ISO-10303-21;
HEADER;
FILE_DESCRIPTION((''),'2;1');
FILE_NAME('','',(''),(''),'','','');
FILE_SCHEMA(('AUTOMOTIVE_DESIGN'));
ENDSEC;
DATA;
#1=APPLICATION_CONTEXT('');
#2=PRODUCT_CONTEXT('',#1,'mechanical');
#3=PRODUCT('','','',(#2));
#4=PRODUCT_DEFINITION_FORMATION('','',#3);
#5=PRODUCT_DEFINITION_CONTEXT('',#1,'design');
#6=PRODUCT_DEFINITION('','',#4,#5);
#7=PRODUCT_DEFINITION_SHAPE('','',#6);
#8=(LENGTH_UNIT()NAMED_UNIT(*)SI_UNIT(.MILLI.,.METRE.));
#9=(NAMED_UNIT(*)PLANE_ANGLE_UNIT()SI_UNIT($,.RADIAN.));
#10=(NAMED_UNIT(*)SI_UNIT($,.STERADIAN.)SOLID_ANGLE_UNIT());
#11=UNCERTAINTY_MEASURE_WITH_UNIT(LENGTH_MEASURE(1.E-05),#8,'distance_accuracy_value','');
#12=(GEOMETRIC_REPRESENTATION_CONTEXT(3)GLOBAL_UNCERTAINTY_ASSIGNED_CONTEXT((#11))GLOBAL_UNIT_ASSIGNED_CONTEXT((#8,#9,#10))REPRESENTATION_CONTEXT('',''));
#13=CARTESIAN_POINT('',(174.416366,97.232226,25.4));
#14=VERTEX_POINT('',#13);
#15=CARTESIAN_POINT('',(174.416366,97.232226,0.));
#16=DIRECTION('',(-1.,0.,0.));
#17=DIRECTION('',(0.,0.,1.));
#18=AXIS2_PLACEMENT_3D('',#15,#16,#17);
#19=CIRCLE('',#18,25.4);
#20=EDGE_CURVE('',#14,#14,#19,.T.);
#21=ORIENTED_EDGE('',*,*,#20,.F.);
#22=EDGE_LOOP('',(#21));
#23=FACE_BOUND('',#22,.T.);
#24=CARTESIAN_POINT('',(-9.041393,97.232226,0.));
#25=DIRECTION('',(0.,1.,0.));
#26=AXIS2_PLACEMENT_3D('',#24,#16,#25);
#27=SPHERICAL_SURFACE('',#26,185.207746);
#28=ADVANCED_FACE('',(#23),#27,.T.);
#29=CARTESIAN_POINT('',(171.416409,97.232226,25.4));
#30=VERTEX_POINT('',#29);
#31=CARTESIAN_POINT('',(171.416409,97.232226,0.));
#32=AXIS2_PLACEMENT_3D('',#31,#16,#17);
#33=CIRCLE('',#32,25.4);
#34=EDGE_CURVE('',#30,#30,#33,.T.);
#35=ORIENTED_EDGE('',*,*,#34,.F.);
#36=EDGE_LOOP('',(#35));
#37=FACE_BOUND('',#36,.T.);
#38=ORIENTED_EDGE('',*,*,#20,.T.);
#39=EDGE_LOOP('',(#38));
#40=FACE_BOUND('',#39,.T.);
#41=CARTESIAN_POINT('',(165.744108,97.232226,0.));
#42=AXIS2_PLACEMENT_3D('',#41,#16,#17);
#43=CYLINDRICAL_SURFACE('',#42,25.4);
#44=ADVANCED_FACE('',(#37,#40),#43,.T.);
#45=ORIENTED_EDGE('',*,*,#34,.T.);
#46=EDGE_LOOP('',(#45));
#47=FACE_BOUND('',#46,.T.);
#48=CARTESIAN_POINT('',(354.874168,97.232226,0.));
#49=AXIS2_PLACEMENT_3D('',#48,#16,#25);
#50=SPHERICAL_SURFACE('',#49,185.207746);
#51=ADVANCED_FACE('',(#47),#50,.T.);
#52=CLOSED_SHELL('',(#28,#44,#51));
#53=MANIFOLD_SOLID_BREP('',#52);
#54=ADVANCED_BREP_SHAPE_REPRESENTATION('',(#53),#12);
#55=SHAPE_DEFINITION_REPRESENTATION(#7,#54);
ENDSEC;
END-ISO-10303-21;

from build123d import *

# Parameters (mm, degrees)
SKETCH_1_ONE_SIDE_W = 2.999957714
SKETCH_1_ONE_SIDE_H = 25.4


with BuildPart() as part:
    # 草图1 one side → 旋转1 (revolve)
    with BuildSketch(Plane.XY):
        with Locations((172.916387549, 109.932226046)):
            Rectangle(SKETCH_1_ONE_SIDE_W, SKETCH_1_ONE_SIDE_H)
        with BuildLine():
            Line((169.666421264, 97.232226046), (171.416408692, 97.232226046))
            Line((171.416408692, 97.232226046), (171.416408692, 122.632226046))
            ThreePointArc((171.416408692, 122.632226046), (170.104436071, 109.962332645), (169.666421264, 97.232226046))
        make_face()
        with BuildLine():
            Line((174.416366406, 97.232226046), (176.166353835, 97.232226046))
            ThreePointArc((176.166353835, 97.232226046), (175.728339027, 109.962332645), (174.416366406, 122.632226046))
            Line((174.416366406, 122.632226046), (174.416366406, 97.232226046))
        make_face()
    revolve(axis=Axis((165.744107942, 97.232226046, 0), (1, 0, 0)))


solid = part.part
